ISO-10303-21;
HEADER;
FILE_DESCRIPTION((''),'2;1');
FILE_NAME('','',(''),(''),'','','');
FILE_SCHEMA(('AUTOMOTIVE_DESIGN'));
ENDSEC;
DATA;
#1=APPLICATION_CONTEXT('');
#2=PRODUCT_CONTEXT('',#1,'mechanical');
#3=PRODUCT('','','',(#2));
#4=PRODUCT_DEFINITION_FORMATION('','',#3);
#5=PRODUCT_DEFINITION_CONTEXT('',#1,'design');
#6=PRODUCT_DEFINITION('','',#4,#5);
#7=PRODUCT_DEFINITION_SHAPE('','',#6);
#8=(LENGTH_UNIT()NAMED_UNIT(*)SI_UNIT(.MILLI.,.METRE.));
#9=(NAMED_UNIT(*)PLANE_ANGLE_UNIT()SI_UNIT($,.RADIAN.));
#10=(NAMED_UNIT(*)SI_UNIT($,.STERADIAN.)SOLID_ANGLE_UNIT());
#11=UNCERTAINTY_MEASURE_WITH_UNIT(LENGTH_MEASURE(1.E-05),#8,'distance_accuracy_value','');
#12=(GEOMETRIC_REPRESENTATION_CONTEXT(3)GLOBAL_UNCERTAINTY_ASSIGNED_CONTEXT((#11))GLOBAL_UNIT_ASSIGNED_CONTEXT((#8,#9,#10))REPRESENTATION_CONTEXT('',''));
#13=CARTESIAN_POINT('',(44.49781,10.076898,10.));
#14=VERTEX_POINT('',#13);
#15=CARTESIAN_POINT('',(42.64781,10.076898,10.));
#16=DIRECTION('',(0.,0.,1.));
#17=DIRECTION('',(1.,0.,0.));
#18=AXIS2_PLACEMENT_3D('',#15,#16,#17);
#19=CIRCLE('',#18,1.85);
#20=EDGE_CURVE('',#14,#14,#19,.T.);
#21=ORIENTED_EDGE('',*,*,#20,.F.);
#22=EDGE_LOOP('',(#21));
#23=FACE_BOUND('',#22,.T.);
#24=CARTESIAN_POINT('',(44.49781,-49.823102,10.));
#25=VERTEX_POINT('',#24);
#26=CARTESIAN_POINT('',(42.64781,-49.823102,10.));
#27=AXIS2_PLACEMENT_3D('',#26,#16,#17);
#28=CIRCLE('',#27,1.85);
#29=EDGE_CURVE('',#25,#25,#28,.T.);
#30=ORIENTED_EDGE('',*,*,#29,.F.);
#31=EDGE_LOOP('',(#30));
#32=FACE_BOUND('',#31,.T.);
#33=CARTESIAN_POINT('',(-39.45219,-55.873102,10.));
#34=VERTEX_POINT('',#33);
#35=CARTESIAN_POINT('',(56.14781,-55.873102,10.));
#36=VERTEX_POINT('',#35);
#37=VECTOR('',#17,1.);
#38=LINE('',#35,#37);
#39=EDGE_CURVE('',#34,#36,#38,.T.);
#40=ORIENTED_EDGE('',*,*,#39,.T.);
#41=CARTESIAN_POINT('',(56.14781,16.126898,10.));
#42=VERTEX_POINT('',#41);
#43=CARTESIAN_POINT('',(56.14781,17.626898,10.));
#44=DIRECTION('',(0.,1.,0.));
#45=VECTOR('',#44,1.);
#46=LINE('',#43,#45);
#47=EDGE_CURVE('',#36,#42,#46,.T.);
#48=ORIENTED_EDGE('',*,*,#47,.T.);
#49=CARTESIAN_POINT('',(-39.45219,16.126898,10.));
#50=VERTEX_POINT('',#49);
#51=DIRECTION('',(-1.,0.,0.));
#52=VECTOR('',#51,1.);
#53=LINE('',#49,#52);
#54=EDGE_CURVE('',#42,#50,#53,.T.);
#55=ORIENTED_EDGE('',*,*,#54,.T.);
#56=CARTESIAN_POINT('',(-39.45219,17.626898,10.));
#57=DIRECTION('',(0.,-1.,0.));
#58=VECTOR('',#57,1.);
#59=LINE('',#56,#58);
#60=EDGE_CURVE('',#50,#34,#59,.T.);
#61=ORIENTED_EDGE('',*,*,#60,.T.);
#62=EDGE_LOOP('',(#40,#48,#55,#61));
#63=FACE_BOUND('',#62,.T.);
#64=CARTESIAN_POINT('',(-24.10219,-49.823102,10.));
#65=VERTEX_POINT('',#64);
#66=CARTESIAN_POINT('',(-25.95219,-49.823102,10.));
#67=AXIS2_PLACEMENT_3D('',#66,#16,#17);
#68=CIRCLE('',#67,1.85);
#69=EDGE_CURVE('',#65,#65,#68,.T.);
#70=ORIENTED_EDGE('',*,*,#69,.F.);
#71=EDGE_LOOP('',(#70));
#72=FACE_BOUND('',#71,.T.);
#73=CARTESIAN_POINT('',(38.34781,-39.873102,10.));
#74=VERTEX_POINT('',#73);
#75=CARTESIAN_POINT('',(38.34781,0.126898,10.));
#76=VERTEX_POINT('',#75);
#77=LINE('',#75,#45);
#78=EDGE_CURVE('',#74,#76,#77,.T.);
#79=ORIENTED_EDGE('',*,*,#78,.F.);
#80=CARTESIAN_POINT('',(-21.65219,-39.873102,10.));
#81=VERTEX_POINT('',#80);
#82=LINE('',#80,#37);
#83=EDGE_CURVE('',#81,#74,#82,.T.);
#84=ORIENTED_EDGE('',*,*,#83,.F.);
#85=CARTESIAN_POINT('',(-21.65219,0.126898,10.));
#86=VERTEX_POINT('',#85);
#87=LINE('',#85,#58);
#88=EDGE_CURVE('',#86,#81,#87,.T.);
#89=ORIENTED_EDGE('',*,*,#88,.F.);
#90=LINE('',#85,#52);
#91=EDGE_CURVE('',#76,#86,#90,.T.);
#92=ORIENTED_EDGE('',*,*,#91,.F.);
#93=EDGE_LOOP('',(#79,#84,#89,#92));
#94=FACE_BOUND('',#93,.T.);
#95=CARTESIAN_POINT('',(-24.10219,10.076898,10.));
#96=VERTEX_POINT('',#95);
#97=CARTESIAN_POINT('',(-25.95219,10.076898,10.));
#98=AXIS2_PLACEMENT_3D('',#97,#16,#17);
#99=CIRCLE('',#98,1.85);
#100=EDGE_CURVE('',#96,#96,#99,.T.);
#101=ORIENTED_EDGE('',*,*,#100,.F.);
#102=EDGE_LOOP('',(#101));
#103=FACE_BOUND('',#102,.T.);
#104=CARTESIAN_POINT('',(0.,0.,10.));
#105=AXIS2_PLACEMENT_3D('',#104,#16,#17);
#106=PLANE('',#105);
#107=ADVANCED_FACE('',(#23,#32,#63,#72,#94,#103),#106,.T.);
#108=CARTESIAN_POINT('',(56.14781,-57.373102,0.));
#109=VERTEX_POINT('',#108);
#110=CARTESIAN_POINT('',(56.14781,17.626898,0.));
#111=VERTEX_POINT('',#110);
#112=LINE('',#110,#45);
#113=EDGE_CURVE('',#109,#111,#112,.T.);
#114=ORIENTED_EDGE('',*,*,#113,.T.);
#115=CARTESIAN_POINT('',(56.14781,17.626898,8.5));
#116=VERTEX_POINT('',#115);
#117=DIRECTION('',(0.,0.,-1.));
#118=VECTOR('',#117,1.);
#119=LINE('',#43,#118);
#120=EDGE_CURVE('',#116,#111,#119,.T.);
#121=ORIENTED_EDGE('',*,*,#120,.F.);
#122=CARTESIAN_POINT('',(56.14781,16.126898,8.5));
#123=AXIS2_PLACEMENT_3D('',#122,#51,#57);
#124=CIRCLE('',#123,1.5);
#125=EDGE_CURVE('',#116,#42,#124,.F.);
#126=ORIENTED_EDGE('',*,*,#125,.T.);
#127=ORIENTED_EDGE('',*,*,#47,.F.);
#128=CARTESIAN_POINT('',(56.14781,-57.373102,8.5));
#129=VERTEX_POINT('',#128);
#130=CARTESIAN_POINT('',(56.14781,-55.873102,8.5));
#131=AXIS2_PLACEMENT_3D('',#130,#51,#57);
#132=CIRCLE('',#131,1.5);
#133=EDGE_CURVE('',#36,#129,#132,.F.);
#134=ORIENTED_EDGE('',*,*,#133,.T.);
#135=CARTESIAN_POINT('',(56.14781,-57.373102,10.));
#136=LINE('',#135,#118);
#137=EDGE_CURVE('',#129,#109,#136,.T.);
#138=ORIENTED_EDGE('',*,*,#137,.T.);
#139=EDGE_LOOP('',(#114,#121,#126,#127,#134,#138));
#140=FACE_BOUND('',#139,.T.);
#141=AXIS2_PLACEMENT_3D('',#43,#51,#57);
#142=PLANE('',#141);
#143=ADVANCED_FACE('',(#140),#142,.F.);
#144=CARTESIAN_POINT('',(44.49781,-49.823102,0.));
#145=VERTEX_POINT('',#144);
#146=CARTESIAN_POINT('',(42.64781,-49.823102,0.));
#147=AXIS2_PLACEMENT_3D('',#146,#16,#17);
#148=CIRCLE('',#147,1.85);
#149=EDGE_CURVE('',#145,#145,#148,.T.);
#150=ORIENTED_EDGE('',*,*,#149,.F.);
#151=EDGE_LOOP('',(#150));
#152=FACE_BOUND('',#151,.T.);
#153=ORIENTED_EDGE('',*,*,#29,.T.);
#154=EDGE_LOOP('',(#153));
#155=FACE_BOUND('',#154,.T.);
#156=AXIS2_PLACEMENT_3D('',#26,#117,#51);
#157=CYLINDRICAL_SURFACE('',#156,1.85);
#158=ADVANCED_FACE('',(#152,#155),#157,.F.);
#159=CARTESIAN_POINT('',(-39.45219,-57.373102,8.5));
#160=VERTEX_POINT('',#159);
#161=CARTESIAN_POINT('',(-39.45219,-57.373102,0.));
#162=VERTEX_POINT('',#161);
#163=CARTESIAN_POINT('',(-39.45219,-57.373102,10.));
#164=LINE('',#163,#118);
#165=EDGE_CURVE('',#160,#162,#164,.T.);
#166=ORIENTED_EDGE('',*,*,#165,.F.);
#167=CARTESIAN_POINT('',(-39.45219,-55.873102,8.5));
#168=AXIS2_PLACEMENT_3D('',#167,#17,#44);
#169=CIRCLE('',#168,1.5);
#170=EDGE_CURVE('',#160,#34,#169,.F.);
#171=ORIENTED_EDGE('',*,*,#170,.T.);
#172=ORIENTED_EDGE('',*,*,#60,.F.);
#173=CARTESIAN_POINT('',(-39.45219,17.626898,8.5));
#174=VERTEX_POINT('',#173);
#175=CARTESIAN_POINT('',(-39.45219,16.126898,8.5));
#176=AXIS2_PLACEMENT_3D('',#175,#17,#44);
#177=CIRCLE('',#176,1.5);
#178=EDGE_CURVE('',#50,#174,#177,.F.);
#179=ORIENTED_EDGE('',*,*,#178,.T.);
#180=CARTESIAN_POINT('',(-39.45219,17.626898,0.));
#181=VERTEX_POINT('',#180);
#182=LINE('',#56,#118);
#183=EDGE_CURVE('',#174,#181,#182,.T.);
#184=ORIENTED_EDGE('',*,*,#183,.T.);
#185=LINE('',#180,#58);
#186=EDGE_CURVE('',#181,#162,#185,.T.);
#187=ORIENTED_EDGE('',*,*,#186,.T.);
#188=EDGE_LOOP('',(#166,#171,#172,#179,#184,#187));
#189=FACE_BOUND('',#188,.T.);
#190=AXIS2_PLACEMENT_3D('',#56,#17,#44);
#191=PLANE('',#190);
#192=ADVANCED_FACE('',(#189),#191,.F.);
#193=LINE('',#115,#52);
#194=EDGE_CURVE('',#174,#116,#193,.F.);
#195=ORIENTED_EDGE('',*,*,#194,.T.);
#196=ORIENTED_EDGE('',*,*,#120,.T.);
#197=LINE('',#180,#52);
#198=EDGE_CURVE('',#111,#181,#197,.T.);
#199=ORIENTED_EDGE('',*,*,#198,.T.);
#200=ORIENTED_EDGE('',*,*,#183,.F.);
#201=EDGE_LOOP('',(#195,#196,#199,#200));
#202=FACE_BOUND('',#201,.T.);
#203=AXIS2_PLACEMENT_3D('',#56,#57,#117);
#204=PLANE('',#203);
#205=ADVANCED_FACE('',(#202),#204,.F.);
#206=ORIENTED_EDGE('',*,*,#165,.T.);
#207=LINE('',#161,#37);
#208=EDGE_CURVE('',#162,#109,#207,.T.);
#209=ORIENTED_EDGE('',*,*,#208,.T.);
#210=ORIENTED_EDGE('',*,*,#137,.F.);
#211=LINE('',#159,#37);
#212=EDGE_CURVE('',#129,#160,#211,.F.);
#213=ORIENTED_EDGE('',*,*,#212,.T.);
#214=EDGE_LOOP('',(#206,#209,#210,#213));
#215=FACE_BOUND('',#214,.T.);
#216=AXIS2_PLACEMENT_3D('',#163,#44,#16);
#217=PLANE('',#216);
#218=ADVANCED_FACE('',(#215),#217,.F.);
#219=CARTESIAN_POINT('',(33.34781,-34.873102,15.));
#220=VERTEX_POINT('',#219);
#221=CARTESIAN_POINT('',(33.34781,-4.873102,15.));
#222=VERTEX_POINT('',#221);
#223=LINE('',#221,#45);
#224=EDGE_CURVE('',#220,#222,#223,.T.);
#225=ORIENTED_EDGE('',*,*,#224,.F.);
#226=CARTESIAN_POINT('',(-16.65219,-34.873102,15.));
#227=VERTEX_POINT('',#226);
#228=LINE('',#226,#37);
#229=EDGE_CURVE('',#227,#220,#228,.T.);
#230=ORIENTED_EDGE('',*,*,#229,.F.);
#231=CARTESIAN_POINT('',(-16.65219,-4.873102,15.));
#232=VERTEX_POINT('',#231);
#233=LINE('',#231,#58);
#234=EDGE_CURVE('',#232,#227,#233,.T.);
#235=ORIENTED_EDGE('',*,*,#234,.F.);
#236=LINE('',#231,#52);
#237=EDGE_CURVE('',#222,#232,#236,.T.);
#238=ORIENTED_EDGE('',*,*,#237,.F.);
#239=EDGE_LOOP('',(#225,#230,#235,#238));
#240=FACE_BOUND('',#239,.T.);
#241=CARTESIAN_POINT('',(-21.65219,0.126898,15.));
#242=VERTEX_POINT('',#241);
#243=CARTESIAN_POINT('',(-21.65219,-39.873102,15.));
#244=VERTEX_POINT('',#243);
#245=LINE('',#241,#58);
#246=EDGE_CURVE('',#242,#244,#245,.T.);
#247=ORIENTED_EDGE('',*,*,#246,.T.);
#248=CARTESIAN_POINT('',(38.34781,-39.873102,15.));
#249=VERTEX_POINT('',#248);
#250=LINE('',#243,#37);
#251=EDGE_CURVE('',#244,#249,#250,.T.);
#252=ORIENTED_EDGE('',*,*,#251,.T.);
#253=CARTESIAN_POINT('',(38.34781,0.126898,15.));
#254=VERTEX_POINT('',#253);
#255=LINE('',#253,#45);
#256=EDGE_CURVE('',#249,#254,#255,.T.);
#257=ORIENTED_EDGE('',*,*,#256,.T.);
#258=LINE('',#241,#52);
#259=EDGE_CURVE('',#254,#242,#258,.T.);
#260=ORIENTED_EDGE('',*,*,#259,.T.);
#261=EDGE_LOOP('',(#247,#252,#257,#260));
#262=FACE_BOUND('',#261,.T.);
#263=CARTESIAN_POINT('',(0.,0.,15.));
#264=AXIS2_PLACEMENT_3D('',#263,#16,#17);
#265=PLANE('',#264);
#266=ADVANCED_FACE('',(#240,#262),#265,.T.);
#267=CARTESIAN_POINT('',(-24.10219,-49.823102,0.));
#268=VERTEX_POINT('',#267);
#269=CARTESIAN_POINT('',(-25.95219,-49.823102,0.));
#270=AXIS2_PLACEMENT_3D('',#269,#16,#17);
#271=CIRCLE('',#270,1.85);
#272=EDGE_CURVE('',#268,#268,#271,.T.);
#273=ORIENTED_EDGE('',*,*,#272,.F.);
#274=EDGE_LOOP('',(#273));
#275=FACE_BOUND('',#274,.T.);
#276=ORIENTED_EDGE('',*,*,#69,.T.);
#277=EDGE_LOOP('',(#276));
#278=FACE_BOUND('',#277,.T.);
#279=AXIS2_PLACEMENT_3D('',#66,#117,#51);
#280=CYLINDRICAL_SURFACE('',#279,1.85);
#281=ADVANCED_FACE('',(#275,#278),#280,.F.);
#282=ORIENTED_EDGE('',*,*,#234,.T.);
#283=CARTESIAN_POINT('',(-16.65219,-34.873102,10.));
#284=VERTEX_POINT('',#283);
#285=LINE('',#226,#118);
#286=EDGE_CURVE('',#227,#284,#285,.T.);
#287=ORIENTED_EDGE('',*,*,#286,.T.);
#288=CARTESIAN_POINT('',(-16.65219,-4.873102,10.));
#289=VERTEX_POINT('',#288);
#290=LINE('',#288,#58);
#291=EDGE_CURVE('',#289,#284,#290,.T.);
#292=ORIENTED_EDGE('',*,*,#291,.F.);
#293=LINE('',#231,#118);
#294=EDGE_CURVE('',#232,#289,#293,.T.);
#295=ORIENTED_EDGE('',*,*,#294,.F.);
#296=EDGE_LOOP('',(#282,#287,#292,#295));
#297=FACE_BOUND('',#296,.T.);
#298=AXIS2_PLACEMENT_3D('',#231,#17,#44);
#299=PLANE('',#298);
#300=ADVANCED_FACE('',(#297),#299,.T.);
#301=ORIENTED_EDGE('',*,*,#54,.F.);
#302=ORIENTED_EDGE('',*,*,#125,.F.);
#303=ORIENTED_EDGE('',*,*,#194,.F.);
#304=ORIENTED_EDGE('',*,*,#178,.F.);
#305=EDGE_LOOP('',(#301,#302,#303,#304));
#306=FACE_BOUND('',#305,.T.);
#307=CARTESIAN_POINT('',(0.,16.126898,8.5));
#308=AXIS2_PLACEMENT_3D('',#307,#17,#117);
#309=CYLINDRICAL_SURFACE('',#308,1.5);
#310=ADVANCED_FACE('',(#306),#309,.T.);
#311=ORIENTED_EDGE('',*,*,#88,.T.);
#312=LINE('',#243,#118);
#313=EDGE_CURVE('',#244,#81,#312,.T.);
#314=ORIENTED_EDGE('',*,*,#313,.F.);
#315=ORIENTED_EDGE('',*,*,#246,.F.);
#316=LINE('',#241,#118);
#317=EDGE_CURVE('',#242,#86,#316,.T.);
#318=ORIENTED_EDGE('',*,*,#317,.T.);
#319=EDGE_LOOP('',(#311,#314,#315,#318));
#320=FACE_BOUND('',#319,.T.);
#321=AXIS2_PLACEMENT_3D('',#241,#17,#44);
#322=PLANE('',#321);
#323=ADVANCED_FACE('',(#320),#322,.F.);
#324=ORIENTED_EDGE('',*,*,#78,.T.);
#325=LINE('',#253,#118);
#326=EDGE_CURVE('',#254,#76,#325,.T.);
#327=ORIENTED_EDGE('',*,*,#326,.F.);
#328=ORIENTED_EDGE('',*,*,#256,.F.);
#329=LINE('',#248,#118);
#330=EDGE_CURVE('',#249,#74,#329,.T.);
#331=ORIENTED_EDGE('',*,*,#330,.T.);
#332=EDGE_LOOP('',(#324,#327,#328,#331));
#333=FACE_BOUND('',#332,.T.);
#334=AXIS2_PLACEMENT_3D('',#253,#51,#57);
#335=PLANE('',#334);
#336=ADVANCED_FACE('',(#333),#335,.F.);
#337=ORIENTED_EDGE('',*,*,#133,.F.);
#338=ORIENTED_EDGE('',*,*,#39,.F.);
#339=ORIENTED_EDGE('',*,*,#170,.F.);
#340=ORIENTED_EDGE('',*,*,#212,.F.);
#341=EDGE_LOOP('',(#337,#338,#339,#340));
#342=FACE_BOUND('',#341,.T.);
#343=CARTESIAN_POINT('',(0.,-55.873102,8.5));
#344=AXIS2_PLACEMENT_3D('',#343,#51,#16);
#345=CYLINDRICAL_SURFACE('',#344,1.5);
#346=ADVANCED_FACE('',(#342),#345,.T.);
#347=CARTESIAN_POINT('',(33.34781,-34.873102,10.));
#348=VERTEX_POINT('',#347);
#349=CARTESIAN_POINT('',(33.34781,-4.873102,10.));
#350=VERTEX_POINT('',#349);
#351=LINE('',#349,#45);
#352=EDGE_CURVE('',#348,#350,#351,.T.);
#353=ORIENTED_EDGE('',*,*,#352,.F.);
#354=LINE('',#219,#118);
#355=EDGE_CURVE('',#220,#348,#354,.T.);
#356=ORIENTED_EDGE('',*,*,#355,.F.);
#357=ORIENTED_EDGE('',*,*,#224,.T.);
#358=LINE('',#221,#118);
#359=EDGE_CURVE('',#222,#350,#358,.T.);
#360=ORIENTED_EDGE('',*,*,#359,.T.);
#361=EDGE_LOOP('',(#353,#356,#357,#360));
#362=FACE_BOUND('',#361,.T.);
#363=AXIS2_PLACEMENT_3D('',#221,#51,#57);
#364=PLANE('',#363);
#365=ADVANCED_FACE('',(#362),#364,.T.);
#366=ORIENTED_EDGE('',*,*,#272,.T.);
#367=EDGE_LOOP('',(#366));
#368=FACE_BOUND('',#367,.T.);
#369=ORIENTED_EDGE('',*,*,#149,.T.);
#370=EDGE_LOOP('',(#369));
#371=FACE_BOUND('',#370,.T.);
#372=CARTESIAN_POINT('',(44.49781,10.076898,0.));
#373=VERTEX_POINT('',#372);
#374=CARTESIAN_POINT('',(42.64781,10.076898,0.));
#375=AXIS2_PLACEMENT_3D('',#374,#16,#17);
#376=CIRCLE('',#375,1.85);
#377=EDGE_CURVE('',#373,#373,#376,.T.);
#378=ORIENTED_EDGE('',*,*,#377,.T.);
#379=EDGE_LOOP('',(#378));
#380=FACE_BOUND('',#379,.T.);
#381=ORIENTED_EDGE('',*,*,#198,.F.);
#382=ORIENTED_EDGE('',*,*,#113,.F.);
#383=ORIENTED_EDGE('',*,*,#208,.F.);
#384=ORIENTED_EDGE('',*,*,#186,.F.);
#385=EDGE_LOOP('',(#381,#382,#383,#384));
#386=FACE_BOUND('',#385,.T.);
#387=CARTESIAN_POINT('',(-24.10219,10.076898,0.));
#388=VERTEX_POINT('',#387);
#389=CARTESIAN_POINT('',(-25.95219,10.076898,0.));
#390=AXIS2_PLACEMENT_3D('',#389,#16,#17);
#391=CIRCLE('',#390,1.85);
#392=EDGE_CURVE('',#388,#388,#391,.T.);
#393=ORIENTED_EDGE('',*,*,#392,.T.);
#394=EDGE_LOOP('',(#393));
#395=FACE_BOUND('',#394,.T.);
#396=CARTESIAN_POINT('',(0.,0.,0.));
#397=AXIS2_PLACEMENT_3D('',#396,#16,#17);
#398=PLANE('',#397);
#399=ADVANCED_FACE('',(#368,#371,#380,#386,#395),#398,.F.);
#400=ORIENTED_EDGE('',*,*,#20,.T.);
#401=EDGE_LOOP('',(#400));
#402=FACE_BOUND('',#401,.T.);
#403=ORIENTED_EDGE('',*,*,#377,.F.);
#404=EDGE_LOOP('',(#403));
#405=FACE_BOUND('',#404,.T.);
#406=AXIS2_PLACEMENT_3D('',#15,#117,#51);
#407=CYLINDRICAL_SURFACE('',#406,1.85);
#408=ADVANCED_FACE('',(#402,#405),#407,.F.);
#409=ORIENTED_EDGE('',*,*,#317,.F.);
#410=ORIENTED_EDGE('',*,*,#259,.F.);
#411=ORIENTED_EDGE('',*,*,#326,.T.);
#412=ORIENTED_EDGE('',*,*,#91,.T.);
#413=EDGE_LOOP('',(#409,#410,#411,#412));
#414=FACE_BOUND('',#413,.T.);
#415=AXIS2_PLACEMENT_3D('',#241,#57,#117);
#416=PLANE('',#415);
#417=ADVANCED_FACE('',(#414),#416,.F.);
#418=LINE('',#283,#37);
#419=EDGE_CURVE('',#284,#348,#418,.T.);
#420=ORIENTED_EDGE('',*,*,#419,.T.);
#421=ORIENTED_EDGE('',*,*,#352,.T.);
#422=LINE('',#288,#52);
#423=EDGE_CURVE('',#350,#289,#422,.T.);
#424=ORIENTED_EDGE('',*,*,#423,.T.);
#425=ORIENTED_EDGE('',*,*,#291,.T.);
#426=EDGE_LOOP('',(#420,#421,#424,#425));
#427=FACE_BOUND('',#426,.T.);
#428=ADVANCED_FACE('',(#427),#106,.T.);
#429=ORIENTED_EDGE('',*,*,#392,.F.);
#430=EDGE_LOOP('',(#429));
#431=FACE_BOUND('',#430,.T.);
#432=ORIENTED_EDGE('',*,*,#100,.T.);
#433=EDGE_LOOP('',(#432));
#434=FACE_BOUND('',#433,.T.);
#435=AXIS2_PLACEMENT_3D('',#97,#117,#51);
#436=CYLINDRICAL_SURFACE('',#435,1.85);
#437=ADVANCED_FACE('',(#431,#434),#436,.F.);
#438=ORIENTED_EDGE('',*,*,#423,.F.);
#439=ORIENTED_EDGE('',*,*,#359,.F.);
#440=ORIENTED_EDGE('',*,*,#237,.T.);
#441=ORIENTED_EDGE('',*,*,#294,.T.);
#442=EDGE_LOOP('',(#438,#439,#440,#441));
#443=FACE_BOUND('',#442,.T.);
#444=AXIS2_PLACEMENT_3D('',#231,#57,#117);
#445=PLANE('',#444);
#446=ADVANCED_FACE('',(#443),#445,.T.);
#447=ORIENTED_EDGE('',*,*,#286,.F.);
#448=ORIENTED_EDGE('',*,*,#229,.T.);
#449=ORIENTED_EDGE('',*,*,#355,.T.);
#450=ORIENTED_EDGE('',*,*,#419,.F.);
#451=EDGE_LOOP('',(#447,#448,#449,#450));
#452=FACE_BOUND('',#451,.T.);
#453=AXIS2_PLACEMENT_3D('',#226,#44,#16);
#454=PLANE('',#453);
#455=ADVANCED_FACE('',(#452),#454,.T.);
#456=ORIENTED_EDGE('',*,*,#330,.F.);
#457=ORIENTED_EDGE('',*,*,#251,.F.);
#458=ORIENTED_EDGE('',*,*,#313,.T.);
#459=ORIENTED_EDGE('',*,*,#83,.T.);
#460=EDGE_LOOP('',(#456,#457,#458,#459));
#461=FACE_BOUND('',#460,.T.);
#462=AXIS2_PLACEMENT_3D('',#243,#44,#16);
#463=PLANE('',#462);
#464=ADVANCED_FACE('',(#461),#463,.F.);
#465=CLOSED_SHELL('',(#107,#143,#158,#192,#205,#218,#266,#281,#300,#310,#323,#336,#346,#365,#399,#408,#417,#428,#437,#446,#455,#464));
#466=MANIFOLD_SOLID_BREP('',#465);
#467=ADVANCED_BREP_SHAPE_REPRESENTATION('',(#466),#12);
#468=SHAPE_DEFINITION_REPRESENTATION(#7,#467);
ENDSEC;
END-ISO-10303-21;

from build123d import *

# Parameters (mm, degrees)
SKETCH_1_W      = 95.6
SKETCH_1_H      = 75
SKETCH_1_R      = 1.85
EXTRUDE_1_DEPTH = 10
FILLET_1_R      = 1.5
SKETCH_2_W      = 60
SKETCH_2_H      = 40
SKETCH_2_W_2    = 50
SKETCH_2_H_2    = 30
EXTRUDE_2_DEPTH = 5


with BuildPart() as part:
    # 草圖1 → 填料-伸長1 (new body)
    with BuildSketch(Plane.XY):
        with Locations((8.347810078, -19.873101952)):
            Rectangle(SKETCH_1_W, SKETCH_1_H)
        with Locations((-25.952189922, 10.076898048)):
            Circle(SKETCH_1_R, mode=Mode.SUBTRACT)
        with Locations((42.647810078, 10.076898048)):
            Circle(SKETCH_1_R, mode=Mode.SUBTRACT)
        with Locations((-25.952189922, -49.823101952)):
            Circle(SKETCH_1_R, mode=Mode.SUBTRACT)
        with Locations((42.647810078, -49.823101952)):
            Circle(SKETCH_1_R, mode=Mode.SUBTRACT)
    extrude(amount=EXTRUDE_1_DEPTH)

    # 圓角1
    fillet_1_edges = [part.edges().sort_by_distance(p)[0] for p in [
        (8.347810078, 17.626898048, 10),
        (8.347810078, -57.373101952, 10),
    ]]
    fillet(fillet_1_edges, radius=FILLET_1_R)

    # 草圖2 → 填料-伸長2 (add)
    with BuildSketch(Plane.XY.offset(10)):
        with Locations((8.347810078, -19.873101952)):
            Rectangle(SKETCH_2_W, SKETCH_2_H)
        with Locations((8.347810078, -19.873101952)):
            Rectangle(SKETCH_2_W_2, SKETCH_2_H_2, mode=Mode.SUBTRACT)
    extrude(amount=EXTRUDE_2_DEPTH)


solid = part.part
